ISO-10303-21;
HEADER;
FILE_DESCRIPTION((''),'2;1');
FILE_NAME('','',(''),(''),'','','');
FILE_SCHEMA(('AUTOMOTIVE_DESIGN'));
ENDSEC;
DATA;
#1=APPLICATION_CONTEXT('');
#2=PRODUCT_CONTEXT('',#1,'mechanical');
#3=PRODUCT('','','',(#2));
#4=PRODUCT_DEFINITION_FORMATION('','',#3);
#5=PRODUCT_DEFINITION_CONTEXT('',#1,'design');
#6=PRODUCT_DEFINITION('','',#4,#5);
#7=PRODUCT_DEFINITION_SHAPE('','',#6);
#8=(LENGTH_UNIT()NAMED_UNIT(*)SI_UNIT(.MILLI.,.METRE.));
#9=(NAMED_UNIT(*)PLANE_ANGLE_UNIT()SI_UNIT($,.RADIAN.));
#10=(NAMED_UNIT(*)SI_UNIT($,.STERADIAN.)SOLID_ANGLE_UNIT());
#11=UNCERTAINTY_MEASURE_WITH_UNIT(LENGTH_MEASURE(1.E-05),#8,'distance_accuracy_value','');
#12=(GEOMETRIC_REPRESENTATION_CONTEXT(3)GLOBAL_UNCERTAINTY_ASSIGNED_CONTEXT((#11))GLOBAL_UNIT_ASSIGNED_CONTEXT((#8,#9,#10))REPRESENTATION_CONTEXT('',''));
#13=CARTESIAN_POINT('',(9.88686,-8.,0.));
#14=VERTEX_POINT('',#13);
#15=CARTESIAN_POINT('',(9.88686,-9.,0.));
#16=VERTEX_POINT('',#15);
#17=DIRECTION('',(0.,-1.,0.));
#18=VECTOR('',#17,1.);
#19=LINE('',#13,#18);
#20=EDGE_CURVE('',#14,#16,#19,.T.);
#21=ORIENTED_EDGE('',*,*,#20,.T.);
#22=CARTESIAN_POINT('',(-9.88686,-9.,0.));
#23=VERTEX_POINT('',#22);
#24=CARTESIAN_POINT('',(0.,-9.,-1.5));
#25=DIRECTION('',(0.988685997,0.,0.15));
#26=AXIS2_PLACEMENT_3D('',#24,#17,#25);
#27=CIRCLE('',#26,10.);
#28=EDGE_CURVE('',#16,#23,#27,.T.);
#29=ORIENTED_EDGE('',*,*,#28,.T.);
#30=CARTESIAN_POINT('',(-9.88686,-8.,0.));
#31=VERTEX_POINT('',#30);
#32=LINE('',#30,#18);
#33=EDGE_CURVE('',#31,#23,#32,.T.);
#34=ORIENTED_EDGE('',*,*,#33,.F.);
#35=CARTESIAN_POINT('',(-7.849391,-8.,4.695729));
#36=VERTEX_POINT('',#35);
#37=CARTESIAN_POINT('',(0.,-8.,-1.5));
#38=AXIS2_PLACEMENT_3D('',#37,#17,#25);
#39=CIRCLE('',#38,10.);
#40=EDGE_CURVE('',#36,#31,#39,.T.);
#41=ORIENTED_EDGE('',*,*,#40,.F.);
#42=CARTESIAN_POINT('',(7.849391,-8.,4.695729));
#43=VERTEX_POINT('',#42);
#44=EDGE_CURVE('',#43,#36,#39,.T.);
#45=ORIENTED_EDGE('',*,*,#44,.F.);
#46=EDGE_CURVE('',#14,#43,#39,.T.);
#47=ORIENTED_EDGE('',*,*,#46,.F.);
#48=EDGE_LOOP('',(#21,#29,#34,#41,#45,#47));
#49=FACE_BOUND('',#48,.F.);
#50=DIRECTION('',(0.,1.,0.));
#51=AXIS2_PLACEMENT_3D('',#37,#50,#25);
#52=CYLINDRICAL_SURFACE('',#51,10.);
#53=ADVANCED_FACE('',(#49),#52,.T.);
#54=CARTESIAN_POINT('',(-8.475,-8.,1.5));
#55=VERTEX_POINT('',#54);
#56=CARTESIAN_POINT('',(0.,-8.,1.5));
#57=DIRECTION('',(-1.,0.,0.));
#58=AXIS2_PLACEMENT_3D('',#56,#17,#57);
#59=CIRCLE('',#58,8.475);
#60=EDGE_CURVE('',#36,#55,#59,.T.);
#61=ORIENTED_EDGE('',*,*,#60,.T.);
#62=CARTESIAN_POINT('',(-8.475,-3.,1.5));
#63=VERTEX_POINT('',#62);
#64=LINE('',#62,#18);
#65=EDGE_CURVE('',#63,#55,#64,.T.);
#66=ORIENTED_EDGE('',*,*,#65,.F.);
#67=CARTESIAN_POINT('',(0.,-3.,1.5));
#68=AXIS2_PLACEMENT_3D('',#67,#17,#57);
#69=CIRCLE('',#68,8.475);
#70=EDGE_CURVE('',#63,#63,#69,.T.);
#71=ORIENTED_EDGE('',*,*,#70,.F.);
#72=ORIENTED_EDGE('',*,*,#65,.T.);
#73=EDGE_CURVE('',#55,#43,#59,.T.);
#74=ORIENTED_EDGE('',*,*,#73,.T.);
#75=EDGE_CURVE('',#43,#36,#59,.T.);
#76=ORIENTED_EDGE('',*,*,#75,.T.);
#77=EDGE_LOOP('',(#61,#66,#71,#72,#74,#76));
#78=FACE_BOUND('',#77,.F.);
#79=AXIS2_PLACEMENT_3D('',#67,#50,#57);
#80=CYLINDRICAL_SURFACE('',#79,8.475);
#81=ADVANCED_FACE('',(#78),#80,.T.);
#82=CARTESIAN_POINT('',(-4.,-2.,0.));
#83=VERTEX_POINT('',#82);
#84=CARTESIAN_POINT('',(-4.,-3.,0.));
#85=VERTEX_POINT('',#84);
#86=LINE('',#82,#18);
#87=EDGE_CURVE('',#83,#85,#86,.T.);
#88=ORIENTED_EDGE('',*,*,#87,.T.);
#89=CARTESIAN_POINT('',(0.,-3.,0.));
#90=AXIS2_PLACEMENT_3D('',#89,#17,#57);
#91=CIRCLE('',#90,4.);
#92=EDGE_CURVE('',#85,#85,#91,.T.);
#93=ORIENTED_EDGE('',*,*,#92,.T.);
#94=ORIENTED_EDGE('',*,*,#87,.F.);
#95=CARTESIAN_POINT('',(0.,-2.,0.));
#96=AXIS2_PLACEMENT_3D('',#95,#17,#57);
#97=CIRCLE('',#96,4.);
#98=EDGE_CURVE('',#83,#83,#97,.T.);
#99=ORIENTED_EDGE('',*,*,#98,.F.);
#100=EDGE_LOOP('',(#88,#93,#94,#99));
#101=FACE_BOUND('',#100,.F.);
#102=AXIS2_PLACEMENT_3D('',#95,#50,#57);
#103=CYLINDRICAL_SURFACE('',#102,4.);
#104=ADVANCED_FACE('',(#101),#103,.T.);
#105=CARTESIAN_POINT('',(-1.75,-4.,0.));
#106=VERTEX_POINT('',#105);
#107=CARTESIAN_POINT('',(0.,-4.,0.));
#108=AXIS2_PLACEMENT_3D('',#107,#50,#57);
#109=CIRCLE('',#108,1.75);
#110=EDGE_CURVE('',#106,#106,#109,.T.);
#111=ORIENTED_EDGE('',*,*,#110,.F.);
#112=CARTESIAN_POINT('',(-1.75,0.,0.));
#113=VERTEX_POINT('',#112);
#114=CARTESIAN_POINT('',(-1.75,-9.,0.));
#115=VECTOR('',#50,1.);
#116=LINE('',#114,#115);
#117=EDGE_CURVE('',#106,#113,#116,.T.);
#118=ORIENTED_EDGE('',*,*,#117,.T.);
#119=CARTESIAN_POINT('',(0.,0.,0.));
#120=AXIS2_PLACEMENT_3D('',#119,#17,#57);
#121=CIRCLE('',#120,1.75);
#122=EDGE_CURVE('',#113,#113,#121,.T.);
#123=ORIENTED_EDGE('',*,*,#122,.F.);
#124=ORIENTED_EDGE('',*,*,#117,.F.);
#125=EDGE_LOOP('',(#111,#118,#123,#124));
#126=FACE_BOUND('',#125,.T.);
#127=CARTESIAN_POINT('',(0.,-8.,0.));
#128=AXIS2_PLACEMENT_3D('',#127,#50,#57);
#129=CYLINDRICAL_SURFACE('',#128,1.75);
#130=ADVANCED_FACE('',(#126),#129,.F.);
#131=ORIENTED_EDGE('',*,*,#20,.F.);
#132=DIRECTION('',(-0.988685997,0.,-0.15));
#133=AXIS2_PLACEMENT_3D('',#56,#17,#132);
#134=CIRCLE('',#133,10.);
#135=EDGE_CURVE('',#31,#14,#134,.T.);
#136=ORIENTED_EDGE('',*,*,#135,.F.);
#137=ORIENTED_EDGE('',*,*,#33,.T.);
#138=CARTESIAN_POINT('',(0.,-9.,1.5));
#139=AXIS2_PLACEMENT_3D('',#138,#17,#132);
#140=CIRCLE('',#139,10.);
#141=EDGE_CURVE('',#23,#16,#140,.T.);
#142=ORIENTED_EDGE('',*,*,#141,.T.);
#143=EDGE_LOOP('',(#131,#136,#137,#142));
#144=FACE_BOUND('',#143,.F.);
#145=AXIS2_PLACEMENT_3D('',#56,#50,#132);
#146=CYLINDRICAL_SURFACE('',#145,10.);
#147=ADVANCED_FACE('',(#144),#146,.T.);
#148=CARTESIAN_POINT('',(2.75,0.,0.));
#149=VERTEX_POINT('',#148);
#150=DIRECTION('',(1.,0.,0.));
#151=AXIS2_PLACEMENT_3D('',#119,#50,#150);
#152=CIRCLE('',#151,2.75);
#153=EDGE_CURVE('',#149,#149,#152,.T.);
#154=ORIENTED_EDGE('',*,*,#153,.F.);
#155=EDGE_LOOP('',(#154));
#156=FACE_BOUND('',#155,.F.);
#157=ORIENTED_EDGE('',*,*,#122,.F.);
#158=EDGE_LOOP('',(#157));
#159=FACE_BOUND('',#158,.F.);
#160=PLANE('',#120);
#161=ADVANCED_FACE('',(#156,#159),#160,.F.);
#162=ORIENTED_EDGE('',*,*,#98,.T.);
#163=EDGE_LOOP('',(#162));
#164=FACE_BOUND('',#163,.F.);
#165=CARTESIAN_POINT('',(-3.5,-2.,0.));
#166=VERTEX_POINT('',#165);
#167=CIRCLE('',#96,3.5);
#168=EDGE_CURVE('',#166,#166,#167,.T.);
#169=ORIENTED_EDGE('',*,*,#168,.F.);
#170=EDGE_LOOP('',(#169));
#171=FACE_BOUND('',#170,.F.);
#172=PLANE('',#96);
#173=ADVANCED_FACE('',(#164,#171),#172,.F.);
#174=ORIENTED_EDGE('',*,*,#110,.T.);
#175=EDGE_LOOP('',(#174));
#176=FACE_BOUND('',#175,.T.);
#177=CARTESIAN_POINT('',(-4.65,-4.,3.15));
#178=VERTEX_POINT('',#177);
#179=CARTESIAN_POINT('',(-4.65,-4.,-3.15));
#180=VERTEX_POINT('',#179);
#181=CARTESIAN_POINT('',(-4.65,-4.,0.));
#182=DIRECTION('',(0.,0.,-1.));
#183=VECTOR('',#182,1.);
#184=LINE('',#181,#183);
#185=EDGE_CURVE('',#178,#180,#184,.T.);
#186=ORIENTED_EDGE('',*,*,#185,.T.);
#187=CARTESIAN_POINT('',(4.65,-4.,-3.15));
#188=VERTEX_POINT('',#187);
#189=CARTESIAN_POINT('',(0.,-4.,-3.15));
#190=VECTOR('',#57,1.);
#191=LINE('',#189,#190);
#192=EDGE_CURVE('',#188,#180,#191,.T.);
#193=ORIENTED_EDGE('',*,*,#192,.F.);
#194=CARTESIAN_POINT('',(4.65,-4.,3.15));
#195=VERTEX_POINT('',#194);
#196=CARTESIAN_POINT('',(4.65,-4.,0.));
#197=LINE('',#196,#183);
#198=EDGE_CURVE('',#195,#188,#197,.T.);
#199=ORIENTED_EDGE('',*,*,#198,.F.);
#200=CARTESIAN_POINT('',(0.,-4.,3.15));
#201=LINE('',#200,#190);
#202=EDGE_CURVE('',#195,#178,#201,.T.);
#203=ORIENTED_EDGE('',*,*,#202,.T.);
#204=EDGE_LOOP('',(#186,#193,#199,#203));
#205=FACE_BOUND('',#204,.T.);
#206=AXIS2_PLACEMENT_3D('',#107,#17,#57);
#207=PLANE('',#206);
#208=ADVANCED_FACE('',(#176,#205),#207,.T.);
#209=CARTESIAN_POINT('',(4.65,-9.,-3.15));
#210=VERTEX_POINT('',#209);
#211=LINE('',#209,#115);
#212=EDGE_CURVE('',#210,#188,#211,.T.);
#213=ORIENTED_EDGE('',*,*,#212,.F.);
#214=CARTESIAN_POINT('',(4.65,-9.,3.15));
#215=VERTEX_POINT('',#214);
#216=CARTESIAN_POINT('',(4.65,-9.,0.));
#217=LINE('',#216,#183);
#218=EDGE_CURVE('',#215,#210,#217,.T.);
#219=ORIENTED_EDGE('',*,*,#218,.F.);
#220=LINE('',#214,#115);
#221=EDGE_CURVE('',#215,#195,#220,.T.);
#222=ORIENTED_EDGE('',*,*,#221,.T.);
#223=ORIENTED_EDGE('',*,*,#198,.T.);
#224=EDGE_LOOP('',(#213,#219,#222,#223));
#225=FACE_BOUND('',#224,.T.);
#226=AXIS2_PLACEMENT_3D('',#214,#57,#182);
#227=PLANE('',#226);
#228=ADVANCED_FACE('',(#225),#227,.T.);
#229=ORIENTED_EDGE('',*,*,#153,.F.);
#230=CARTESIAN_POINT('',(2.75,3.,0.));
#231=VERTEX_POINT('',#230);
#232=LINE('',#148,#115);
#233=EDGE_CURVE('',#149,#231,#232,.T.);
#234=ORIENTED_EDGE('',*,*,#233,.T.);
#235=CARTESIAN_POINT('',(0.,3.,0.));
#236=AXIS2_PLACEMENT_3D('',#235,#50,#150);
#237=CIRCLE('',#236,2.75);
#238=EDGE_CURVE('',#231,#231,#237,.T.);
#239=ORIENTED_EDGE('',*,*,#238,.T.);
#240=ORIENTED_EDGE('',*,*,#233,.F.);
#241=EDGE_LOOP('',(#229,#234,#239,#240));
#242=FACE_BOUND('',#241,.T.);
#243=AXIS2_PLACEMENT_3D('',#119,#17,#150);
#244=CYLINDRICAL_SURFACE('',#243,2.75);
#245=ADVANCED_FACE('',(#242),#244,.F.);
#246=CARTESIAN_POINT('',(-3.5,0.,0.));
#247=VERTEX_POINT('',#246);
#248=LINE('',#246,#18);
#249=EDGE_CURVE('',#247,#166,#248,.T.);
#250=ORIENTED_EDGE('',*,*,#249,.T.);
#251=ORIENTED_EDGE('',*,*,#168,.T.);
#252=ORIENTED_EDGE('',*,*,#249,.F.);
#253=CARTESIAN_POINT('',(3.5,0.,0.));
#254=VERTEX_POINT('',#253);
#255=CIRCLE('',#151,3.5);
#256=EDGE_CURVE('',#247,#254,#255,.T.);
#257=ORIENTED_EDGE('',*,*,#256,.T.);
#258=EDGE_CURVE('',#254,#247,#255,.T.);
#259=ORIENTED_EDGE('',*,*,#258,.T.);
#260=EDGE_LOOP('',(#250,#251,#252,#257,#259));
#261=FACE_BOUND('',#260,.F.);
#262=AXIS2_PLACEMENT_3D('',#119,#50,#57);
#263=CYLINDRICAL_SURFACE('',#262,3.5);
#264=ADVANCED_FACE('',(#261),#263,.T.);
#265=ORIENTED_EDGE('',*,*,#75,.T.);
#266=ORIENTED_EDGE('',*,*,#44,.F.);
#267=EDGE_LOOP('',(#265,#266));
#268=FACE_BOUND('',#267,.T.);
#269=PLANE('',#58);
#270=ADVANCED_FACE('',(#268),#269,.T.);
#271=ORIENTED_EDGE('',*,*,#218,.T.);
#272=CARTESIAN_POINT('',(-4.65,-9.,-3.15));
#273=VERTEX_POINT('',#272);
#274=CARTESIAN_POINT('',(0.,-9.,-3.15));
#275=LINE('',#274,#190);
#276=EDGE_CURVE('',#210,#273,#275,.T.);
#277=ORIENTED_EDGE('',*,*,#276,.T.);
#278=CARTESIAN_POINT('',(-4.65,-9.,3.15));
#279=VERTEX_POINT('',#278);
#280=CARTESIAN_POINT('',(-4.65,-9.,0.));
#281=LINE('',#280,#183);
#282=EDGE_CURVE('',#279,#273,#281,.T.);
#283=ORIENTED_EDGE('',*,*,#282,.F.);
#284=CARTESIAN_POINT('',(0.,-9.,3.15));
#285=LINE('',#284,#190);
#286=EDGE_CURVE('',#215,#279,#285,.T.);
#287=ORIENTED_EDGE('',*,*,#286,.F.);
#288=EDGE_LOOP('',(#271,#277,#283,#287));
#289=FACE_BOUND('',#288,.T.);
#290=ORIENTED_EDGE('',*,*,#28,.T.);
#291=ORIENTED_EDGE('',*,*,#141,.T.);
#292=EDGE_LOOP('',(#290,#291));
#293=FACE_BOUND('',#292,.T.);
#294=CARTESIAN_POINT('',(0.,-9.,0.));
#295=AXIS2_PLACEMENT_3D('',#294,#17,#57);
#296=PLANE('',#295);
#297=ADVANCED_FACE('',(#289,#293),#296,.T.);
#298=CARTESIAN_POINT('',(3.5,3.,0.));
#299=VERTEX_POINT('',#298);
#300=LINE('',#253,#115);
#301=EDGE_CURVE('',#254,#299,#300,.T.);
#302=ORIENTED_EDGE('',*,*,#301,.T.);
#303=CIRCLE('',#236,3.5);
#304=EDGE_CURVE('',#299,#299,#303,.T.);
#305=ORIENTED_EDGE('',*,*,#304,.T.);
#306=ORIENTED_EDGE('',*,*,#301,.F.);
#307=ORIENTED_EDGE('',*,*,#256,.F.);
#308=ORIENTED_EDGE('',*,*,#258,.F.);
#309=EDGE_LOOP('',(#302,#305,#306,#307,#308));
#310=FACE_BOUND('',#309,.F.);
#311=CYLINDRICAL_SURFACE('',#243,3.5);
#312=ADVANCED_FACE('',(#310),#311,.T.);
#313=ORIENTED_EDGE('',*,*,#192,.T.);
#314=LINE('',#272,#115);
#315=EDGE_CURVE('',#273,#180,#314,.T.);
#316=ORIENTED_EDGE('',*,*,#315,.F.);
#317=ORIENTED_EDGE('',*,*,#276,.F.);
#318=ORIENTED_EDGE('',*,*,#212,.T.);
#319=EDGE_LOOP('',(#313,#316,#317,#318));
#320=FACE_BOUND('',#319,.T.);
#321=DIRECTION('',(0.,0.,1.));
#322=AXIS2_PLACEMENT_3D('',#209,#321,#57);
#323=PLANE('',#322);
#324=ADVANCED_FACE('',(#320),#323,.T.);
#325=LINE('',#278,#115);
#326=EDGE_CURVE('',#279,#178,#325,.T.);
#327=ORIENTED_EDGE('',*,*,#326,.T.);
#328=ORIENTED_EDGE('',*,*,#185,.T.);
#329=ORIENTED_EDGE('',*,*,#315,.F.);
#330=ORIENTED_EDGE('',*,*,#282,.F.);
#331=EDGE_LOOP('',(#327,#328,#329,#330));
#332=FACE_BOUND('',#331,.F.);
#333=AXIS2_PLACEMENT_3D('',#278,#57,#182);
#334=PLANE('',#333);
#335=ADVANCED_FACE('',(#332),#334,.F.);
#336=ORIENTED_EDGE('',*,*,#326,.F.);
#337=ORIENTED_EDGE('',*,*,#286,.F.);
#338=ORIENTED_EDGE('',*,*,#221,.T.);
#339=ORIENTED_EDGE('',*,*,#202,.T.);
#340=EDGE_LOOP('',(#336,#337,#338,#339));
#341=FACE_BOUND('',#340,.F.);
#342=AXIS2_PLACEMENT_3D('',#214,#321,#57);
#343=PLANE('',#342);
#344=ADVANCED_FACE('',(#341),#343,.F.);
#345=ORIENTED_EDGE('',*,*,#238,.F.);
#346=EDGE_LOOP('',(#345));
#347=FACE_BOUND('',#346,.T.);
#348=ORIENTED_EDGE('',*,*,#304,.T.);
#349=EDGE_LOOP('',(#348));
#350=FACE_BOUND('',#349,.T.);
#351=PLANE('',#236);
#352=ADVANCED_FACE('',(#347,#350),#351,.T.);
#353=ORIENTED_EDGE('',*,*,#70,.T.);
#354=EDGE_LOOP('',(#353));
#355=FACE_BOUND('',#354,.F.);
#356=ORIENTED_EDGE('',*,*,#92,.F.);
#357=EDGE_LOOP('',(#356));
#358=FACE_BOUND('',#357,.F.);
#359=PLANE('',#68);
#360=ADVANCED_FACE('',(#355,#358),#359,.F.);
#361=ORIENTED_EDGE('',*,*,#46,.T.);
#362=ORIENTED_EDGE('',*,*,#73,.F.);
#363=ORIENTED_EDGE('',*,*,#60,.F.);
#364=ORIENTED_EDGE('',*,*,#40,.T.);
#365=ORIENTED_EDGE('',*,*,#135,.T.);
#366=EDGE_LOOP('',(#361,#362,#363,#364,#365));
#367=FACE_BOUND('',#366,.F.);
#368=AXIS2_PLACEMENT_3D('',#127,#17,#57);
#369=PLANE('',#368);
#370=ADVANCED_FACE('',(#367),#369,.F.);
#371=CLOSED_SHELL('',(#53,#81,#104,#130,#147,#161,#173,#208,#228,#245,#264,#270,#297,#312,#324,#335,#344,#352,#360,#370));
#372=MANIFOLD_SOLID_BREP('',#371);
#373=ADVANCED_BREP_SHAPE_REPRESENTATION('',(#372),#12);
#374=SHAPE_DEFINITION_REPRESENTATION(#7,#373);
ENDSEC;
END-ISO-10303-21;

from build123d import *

# Parameters (mm, degrees)
SKETCH1_R           = 3.5
SKETCH1_R_2         = 2.75
BOSS_EXTRUDE1_DEPTH = 3
SKETCH2_R           = 3.5
SKETCH2_R_2         = 1.75
BOSS_EXTRUDE2_DEPTH = 2
SKETCH3_R           = 4
SKETCH3_R_2         = 1.75
BOSS_EXTRUDE3_DEPTH = 1
SKETCH4_R           = 8.475
SKETCH4_R_2         = 1.75
BOSS_EXTRUDE4_DEPTH = 5
SKETCH5_R           = 1.75
BOSS_EXTRUDE5_DEPTH = 1
SKETCH6_W           = 9.3
SKETCH6_H           = 6.3
CUT_EXTRUDE1_DEPTH  = 5


with BuildPart() as part:
    # Sketch1 → Boss-Extrude1 (new body)
    with BuildSketch(Plane(origin=(0, 0, 0), x_dir=(1, 0, 0), z_dir=(0, 1, 0))):
        Circle(SKETCH1_R)
        Circle(SKETCH1_R_2, mode=Mode.SUBTRACT)
    extrude(amount=BOSS_EXTRUDE1_DEPTH)

    # Sketch2 → Boss-Extrude2 (add)
    with BuildSketch(Plane(origin=(0, 0, 0), x_dir=(-1, 0, 0), z_dir=(0, -1, 0))):
        Circle(SKETCH2_R)
        Circle(SKETCH2_R_2, mode=Mode.SUBTRACT)
    extrude(amount=BOSS_EXTRUDE2_DEPTH)

    # Sketch3 → Boss-Extrude3 (add)
    with BuildSketch(Plane(origin=(0, -2, 0), x_dir=(-1, 0, 0), z_dir=(0, -1, 0))):
        Circle(SKETCH3_R)
        Circle(SKETCH3_R_2, mode=Mode.SUBTRACT)
    extrude(amount=BOSS_EXTRUDE3_DEPTH)

    # Sketch4 → Boss-Extrude4 (add)
    with BuildSketch(Plane(origin=(0, -3, 0), x_dir=(-1, 0, 0), z_dir=(0, -1, 0))):
        with Locations((0, -1.5)):
            Circle(SKETCH4_R)
        Circle(SKETCH4_R_2, mode=Mode.SUBTRACT)
    extrude(amount=BOSS_EXTRUDE4_DEPTH)

    # Sketch5 → Boss-Extrude5 (add)
    with BuildSketch(Plane(origin=(0, -8, 0), x_dir=(-1, 0, 0), z_dir=(0, -1, 0))):
        with BuildLine():
            ThreePointArc((-9.886859967, 0), (0, -8.5), (9.886859967, 0))
            ThreePointArc((9.886859967, 0), (0, 8.5), (-9.886859967, 0))
        make_face()
        Circle(SKETCH5_R, mode=Mode.SUBTRACT)
    extrude(amount=BOSS_EXTRUDE5_DEPTH)

    # Sketch6 → Cut-Extrude1 (cut)
    with BuildSketch(Plane(origin=(0, -9, 0), x_dir=(-1, 0, 0), z_dir=(0, -1, 0))):
        Rectangle(SKETCH6_W, SKETCH6_H)
    extrude(amount=-CUT_EXTRUDE1_DEPTH, mode=Mode.SUBTRACT)


solid = part.part
